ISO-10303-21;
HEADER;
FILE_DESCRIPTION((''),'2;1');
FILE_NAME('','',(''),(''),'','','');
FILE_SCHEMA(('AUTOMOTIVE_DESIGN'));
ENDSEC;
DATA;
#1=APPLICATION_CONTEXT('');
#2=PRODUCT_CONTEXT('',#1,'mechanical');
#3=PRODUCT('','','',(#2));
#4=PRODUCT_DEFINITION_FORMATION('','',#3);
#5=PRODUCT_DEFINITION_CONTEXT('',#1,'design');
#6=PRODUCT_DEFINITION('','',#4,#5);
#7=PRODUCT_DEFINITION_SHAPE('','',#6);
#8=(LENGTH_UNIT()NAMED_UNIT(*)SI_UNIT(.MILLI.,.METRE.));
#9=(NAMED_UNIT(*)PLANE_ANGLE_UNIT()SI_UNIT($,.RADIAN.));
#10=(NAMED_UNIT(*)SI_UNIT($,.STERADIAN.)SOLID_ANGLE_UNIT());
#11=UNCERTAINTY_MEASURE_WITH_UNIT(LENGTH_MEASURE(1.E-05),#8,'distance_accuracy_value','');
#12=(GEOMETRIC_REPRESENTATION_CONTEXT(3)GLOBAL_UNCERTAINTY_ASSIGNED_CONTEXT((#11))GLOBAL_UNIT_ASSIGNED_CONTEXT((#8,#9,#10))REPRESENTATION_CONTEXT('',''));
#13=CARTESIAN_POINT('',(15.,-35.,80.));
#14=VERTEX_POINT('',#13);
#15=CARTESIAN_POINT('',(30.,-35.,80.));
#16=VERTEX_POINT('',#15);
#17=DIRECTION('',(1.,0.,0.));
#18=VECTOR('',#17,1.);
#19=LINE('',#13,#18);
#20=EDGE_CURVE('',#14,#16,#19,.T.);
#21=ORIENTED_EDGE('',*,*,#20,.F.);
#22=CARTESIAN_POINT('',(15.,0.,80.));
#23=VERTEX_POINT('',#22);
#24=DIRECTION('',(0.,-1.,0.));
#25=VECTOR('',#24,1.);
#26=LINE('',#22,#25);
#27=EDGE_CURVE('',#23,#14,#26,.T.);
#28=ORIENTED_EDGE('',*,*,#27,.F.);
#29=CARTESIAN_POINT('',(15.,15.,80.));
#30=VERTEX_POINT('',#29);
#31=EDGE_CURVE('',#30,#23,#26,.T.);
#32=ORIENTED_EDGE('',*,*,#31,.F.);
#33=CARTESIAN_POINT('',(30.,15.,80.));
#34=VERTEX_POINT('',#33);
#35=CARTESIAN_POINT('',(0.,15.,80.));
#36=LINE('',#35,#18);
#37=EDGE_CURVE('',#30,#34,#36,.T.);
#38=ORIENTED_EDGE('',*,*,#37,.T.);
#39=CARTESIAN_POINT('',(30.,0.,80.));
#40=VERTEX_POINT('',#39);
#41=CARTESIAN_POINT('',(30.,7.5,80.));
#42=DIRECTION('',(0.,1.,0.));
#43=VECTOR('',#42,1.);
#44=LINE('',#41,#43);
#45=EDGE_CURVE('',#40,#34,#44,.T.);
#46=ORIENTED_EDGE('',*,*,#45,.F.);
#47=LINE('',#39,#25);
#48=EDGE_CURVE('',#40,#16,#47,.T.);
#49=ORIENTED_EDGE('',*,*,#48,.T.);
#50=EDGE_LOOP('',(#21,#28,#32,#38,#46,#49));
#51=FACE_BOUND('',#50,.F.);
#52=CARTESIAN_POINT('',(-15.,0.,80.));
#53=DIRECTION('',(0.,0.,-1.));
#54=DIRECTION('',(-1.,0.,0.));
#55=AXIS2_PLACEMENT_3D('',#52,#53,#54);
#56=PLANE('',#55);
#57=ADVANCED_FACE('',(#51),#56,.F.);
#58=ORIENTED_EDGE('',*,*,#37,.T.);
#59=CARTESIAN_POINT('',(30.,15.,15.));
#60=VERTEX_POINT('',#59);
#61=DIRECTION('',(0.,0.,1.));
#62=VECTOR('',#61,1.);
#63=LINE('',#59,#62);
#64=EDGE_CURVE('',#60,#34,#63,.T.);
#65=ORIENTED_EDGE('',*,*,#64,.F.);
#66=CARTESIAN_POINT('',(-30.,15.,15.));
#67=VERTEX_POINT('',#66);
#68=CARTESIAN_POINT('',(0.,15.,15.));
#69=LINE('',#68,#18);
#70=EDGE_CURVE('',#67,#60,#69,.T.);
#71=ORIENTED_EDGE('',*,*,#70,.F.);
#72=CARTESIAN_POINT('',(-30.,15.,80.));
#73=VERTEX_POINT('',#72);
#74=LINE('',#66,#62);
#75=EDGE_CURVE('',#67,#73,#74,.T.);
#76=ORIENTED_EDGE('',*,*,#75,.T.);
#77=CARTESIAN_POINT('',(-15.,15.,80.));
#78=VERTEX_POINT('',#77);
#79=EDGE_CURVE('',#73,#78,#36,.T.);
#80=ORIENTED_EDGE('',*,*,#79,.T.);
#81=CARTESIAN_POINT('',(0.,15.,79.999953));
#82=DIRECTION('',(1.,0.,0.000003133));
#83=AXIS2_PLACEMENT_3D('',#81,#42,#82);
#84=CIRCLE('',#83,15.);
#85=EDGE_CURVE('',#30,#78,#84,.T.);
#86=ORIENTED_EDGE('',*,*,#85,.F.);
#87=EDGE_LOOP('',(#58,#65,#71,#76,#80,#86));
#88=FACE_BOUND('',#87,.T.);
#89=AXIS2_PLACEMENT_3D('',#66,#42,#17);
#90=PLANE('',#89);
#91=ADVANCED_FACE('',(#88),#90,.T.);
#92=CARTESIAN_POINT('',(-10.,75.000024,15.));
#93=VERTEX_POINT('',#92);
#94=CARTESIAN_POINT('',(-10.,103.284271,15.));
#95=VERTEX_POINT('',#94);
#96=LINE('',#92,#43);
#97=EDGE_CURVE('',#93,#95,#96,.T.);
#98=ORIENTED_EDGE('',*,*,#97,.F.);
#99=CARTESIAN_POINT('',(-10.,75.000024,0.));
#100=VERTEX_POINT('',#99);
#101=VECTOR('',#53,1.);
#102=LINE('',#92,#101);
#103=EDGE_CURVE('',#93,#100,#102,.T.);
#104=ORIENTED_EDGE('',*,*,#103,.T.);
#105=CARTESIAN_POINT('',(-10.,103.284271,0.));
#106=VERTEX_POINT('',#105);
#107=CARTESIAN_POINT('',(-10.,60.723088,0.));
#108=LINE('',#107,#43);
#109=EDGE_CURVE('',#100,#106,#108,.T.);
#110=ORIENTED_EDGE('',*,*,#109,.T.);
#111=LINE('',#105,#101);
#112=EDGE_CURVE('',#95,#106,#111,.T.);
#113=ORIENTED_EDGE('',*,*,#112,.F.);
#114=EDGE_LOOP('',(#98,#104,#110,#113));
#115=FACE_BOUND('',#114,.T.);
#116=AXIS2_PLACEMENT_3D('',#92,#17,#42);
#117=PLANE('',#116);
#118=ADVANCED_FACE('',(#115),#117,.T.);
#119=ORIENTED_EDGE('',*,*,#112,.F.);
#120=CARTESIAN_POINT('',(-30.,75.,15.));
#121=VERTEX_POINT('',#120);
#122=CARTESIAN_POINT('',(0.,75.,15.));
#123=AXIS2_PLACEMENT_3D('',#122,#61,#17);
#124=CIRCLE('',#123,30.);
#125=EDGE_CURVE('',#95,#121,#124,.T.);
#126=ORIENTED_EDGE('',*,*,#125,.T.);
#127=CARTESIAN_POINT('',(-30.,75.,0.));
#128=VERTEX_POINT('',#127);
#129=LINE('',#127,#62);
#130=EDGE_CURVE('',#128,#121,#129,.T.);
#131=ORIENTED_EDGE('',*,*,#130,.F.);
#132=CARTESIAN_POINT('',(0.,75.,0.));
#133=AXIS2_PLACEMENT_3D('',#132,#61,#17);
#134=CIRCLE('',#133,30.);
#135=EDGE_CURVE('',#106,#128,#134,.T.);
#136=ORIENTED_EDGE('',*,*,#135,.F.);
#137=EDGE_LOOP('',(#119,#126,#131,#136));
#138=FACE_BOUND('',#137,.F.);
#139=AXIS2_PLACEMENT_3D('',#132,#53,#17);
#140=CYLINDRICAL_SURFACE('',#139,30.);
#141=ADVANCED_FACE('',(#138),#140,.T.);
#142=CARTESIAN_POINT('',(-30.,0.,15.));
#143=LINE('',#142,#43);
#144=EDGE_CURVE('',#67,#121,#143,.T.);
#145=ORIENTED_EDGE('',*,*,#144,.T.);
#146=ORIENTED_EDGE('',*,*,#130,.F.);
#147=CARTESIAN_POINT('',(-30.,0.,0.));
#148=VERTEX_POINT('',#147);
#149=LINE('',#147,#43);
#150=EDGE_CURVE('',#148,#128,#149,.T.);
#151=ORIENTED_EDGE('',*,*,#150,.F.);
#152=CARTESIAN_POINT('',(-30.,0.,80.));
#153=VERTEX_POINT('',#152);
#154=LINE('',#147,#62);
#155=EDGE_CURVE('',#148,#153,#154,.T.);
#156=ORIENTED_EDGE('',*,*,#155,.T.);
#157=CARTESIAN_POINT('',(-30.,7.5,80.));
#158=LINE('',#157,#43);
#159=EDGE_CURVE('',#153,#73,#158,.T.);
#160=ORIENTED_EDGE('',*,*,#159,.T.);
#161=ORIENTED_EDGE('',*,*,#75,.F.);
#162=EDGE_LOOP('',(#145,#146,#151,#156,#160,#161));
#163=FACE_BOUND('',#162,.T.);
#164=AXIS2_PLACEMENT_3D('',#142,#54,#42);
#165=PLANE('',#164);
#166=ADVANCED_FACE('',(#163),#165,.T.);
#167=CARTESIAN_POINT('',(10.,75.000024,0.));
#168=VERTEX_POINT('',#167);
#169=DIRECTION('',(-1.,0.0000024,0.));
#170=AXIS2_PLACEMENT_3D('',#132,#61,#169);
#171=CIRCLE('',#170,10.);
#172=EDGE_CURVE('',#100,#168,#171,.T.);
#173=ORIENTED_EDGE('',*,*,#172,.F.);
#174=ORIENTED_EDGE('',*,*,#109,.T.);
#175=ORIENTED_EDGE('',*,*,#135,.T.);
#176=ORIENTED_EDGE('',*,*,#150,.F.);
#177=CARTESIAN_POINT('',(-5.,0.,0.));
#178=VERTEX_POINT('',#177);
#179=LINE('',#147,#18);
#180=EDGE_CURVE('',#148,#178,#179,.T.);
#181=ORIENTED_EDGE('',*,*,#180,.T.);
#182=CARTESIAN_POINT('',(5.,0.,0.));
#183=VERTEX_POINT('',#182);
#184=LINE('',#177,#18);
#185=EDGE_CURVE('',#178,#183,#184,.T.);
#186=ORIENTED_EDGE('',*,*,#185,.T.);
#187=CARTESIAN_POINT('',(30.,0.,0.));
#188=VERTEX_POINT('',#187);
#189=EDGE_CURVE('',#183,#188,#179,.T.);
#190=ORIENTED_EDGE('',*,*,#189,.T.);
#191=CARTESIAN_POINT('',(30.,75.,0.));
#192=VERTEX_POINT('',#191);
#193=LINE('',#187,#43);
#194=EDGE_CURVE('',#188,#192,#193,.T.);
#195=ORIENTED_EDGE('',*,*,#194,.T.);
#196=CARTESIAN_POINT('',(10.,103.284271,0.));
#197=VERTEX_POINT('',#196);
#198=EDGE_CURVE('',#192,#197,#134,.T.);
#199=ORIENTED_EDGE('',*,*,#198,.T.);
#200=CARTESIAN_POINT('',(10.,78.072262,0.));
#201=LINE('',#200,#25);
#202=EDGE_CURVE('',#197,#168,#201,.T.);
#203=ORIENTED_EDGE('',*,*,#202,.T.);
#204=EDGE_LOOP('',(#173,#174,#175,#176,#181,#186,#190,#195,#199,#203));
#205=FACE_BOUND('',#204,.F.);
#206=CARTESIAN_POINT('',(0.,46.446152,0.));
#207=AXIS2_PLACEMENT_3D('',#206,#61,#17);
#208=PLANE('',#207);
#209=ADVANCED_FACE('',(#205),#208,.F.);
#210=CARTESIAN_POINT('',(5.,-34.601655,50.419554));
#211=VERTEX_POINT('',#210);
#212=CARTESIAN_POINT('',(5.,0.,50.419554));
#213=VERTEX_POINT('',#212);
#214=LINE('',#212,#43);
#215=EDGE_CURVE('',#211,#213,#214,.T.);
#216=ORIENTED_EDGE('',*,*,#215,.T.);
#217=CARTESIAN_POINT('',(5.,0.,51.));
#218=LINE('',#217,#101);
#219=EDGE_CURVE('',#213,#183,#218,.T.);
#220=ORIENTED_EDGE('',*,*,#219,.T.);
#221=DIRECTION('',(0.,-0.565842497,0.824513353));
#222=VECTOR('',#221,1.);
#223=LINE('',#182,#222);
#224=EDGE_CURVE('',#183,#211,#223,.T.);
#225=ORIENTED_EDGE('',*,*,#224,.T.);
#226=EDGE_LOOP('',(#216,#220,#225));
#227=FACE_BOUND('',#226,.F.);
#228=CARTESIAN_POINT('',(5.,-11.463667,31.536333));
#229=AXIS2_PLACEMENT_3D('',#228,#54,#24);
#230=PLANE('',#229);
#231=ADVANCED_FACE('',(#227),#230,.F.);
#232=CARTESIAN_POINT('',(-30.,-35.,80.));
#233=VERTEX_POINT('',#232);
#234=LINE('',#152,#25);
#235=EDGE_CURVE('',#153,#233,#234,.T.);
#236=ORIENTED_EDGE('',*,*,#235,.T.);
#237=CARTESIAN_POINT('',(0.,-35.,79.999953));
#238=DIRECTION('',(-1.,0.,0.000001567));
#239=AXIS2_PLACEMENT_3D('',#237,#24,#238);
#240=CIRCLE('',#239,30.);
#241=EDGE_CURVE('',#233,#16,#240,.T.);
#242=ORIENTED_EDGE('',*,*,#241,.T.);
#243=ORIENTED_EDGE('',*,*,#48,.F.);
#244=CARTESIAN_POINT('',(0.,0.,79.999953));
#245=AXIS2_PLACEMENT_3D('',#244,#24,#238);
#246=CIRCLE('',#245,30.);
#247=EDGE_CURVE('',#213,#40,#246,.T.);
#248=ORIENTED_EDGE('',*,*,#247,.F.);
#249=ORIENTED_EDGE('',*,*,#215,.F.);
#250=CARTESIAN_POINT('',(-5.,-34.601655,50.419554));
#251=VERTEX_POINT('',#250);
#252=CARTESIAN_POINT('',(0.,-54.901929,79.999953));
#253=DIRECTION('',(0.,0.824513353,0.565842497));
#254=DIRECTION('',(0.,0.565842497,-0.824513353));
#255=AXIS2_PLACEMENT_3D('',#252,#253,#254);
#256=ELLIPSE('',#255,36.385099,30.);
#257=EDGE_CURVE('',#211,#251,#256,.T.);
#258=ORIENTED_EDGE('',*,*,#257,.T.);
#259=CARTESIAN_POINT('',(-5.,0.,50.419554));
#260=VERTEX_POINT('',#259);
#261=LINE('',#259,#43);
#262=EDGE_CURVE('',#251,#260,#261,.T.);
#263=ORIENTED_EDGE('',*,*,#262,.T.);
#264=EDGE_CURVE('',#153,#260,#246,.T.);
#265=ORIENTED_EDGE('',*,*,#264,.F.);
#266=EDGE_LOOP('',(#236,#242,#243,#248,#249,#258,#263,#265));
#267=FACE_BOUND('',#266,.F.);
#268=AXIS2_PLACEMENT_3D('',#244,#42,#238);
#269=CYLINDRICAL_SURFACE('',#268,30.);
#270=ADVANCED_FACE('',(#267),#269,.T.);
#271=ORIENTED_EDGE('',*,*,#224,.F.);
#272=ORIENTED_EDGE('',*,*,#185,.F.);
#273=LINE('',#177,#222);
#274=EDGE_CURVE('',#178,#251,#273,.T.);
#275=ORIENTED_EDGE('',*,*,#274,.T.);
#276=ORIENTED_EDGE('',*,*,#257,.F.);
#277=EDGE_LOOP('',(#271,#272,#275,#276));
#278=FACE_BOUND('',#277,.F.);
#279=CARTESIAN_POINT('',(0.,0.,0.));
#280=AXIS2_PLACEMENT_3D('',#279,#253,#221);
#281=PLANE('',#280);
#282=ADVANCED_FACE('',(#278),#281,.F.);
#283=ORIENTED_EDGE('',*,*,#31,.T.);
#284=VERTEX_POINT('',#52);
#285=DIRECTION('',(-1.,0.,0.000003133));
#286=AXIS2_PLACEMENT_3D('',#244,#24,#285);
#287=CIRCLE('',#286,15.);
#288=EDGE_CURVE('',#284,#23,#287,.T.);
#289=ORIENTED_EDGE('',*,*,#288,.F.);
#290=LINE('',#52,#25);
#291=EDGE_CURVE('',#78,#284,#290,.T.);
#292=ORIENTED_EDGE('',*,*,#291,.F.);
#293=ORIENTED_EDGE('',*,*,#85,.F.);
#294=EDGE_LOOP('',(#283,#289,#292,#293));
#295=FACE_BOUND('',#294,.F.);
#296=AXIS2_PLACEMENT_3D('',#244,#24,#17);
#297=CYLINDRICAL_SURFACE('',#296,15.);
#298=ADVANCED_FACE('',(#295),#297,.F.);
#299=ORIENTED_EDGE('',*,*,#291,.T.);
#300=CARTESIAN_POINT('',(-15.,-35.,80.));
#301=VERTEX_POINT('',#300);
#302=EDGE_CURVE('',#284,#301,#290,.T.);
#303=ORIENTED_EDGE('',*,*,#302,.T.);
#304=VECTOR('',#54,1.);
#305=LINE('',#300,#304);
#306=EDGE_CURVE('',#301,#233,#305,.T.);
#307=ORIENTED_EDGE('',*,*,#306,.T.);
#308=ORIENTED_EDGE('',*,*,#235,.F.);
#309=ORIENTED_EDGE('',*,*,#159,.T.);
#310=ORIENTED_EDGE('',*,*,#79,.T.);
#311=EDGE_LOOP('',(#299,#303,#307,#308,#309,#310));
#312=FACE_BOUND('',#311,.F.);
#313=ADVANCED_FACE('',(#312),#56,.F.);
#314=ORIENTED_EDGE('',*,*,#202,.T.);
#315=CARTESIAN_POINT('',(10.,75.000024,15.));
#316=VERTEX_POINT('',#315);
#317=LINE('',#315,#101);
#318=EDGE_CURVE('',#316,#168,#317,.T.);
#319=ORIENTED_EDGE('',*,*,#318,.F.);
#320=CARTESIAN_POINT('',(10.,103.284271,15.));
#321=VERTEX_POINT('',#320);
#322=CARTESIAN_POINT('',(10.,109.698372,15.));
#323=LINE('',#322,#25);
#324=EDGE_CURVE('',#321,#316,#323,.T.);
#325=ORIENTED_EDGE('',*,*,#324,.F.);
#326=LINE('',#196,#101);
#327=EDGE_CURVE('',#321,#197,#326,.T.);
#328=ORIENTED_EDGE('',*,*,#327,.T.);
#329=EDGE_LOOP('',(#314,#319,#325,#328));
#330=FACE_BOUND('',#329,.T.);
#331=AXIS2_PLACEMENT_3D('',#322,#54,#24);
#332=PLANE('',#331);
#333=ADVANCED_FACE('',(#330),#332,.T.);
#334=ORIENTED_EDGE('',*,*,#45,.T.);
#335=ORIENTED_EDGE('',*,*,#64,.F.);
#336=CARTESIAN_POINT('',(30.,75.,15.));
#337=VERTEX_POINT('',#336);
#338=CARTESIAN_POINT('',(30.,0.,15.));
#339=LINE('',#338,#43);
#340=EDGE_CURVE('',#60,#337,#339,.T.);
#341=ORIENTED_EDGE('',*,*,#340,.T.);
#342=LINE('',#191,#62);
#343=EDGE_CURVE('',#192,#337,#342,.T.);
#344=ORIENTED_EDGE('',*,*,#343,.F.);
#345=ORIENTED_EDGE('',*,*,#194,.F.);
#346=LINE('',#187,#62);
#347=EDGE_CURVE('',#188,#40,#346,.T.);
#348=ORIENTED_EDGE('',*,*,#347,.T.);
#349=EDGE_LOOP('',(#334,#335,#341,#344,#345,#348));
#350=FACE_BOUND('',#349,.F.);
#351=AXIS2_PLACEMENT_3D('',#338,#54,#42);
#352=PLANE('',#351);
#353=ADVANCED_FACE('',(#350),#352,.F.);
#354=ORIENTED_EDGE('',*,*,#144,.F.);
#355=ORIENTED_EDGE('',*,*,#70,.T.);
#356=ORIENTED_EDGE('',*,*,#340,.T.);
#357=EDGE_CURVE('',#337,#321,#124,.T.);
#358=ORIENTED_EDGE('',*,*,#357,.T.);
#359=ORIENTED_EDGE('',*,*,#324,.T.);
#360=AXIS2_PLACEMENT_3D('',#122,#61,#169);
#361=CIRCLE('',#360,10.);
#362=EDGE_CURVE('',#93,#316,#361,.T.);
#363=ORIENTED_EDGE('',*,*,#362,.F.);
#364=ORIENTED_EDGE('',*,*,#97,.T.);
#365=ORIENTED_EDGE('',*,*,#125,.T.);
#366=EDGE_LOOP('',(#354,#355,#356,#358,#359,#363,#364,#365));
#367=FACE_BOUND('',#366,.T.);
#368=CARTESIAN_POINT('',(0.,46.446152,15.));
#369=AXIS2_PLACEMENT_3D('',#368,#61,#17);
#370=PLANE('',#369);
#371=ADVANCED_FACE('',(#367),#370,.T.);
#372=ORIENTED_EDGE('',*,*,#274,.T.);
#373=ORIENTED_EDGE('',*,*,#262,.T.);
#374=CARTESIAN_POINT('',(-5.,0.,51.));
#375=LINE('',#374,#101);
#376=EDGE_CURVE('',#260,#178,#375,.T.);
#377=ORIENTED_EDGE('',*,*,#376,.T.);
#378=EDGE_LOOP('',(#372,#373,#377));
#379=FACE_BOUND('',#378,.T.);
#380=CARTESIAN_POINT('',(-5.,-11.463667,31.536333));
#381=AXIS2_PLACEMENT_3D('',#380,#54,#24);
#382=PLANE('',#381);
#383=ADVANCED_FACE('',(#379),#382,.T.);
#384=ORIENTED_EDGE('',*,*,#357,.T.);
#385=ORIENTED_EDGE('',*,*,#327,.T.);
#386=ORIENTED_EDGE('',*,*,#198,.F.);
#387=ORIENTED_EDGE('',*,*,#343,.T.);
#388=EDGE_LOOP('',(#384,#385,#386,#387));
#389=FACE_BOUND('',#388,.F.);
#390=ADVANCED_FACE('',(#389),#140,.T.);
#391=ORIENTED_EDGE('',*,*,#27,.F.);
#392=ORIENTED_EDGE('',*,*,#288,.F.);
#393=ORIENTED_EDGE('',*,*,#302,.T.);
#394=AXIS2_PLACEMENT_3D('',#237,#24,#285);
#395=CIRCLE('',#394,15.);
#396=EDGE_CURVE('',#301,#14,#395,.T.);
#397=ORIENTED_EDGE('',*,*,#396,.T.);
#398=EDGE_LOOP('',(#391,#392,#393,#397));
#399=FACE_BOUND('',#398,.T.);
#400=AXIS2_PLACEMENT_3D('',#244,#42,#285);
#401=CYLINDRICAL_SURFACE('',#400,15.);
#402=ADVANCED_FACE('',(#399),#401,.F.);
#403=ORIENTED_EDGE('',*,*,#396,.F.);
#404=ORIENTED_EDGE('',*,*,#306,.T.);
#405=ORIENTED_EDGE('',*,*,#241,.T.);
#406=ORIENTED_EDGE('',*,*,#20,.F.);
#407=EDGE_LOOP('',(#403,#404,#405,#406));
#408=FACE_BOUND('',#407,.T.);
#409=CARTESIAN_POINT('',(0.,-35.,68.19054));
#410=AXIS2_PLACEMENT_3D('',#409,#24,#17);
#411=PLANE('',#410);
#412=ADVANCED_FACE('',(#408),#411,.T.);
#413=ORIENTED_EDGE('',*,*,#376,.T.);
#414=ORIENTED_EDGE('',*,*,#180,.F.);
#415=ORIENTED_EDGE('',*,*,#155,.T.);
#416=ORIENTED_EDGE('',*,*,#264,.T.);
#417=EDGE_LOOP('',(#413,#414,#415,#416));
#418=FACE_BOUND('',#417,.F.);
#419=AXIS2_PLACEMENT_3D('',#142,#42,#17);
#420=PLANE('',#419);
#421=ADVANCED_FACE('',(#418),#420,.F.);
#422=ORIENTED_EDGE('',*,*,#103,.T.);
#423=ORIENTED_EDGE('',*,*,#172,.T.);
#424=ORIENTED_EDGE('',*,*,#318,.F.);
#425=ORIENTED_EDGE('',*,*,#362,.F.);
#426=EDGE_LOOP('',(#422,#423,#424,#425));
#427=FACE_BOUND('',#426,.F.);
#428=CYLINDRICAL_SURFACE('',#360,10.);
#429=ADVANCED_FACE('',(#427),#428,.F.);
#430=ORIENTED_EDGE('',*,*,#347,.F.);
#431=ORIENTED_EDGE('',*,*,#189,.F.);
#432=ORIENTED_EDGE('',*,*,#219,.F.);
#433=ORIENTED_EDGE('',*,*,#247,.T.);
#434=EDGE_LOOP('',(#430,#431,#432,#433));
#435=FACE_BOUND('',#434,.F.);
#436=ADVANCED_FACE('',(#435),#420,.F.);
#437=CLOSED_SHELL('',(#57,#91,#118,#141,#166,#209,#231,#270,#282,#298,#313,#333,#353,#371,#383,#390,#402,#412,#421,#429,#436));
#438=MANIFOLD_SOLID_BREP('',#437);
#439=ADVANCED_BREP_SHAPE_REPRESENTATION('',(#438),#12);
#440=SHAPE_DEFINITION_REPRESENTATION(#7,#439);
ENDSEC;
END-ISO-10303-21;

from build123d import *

# Parameters (mm, degrees)
PAD003_DEPTH    = 5
PAD_DEPTH       = 15
SKETCH001_W     = 60
SKETCH001_H     = 15
PAD001_DEPTH    = 65
POCKET_DEPTH    = 15.001
PAD002_DEPTH    = 35
SKETCH004_R     = 15
POCKET001_DEPTH = 103.285271


with BuildPart() as pad003:
    # Sketch005 → Pad003 (new body, symmetric)
    with BuildSketch(Plane.YZ):
        Polygon((0, 0), (-35, 51), (0, 51), align=None)
    extrude(amount=PAD003_DEPTH, both=True)


with BuildPart() as fusion:
    # Sketch → Pad (new body)
    with BuildSketch(Plane.XY):
        with BuildLine():
            ThreePointArc((30, 75), (0, 105), (-30, 75))
            Line((-30, 0), (-30, 75))
            Line((-30, 0), (30, 0))
            Line((30, 0), (30, 75))
        make_face()
    extrude(amount=PAD_DEPTH)

    # Sketch001 → Pad001 (new body)
    with BuildSketch(Plane.XY.offset(15)):
        with Locations((0, 7.5)):
            Rectangle(SKETCH001_W, SKETCH001_H)
    extrude(amount=PAD001_DEPTH)

    # Sketch002 → Pocket (cut, through all)
    with BuildSketch(Plane.XY.offset(15)):
        with BuildLine():
            ThreePointArc((-10, 75.000024), (0, 65), (10, 75.000024))
            Line((10, 109.698372), (10, 75.000024))
            Line((-10, 109.698372), (10, 109.698372))
            Line((-10, 75.000024), (-10, 109.698372))
        make_face()
    extrude(amount=-POCKET_DEPTH, mode=Mode.SUBTRACT)

    # Sketch003 → Pad002 (new body)
    with BuildSketch(Plane.XZ):
        with BuildLine():
            ThreePointArc((-30, 80), (0, 49.999953), (30, 80))
            Line((15, 80), (30, 80))
            ThreePointArc((-15, 80), (0, 64.999953), (15, 80))
            Line((-15, 80), (-30, 80))
        make_face()
    extrude(amount=PAD002_DEPTH)

    # Sketch004 → Pocket001 (cut, through all)
    with BuildSketch(Plane.XZ):
        with Locations((0, 79.999953)):
            Circle(SKETCH004_R)
    extrude(amount=-POCKET001_DEPTH, mode=Mode.SUBTRACT)

    # Fusion: union Pad003
    add(pad003.part)


solid = fusion.part
